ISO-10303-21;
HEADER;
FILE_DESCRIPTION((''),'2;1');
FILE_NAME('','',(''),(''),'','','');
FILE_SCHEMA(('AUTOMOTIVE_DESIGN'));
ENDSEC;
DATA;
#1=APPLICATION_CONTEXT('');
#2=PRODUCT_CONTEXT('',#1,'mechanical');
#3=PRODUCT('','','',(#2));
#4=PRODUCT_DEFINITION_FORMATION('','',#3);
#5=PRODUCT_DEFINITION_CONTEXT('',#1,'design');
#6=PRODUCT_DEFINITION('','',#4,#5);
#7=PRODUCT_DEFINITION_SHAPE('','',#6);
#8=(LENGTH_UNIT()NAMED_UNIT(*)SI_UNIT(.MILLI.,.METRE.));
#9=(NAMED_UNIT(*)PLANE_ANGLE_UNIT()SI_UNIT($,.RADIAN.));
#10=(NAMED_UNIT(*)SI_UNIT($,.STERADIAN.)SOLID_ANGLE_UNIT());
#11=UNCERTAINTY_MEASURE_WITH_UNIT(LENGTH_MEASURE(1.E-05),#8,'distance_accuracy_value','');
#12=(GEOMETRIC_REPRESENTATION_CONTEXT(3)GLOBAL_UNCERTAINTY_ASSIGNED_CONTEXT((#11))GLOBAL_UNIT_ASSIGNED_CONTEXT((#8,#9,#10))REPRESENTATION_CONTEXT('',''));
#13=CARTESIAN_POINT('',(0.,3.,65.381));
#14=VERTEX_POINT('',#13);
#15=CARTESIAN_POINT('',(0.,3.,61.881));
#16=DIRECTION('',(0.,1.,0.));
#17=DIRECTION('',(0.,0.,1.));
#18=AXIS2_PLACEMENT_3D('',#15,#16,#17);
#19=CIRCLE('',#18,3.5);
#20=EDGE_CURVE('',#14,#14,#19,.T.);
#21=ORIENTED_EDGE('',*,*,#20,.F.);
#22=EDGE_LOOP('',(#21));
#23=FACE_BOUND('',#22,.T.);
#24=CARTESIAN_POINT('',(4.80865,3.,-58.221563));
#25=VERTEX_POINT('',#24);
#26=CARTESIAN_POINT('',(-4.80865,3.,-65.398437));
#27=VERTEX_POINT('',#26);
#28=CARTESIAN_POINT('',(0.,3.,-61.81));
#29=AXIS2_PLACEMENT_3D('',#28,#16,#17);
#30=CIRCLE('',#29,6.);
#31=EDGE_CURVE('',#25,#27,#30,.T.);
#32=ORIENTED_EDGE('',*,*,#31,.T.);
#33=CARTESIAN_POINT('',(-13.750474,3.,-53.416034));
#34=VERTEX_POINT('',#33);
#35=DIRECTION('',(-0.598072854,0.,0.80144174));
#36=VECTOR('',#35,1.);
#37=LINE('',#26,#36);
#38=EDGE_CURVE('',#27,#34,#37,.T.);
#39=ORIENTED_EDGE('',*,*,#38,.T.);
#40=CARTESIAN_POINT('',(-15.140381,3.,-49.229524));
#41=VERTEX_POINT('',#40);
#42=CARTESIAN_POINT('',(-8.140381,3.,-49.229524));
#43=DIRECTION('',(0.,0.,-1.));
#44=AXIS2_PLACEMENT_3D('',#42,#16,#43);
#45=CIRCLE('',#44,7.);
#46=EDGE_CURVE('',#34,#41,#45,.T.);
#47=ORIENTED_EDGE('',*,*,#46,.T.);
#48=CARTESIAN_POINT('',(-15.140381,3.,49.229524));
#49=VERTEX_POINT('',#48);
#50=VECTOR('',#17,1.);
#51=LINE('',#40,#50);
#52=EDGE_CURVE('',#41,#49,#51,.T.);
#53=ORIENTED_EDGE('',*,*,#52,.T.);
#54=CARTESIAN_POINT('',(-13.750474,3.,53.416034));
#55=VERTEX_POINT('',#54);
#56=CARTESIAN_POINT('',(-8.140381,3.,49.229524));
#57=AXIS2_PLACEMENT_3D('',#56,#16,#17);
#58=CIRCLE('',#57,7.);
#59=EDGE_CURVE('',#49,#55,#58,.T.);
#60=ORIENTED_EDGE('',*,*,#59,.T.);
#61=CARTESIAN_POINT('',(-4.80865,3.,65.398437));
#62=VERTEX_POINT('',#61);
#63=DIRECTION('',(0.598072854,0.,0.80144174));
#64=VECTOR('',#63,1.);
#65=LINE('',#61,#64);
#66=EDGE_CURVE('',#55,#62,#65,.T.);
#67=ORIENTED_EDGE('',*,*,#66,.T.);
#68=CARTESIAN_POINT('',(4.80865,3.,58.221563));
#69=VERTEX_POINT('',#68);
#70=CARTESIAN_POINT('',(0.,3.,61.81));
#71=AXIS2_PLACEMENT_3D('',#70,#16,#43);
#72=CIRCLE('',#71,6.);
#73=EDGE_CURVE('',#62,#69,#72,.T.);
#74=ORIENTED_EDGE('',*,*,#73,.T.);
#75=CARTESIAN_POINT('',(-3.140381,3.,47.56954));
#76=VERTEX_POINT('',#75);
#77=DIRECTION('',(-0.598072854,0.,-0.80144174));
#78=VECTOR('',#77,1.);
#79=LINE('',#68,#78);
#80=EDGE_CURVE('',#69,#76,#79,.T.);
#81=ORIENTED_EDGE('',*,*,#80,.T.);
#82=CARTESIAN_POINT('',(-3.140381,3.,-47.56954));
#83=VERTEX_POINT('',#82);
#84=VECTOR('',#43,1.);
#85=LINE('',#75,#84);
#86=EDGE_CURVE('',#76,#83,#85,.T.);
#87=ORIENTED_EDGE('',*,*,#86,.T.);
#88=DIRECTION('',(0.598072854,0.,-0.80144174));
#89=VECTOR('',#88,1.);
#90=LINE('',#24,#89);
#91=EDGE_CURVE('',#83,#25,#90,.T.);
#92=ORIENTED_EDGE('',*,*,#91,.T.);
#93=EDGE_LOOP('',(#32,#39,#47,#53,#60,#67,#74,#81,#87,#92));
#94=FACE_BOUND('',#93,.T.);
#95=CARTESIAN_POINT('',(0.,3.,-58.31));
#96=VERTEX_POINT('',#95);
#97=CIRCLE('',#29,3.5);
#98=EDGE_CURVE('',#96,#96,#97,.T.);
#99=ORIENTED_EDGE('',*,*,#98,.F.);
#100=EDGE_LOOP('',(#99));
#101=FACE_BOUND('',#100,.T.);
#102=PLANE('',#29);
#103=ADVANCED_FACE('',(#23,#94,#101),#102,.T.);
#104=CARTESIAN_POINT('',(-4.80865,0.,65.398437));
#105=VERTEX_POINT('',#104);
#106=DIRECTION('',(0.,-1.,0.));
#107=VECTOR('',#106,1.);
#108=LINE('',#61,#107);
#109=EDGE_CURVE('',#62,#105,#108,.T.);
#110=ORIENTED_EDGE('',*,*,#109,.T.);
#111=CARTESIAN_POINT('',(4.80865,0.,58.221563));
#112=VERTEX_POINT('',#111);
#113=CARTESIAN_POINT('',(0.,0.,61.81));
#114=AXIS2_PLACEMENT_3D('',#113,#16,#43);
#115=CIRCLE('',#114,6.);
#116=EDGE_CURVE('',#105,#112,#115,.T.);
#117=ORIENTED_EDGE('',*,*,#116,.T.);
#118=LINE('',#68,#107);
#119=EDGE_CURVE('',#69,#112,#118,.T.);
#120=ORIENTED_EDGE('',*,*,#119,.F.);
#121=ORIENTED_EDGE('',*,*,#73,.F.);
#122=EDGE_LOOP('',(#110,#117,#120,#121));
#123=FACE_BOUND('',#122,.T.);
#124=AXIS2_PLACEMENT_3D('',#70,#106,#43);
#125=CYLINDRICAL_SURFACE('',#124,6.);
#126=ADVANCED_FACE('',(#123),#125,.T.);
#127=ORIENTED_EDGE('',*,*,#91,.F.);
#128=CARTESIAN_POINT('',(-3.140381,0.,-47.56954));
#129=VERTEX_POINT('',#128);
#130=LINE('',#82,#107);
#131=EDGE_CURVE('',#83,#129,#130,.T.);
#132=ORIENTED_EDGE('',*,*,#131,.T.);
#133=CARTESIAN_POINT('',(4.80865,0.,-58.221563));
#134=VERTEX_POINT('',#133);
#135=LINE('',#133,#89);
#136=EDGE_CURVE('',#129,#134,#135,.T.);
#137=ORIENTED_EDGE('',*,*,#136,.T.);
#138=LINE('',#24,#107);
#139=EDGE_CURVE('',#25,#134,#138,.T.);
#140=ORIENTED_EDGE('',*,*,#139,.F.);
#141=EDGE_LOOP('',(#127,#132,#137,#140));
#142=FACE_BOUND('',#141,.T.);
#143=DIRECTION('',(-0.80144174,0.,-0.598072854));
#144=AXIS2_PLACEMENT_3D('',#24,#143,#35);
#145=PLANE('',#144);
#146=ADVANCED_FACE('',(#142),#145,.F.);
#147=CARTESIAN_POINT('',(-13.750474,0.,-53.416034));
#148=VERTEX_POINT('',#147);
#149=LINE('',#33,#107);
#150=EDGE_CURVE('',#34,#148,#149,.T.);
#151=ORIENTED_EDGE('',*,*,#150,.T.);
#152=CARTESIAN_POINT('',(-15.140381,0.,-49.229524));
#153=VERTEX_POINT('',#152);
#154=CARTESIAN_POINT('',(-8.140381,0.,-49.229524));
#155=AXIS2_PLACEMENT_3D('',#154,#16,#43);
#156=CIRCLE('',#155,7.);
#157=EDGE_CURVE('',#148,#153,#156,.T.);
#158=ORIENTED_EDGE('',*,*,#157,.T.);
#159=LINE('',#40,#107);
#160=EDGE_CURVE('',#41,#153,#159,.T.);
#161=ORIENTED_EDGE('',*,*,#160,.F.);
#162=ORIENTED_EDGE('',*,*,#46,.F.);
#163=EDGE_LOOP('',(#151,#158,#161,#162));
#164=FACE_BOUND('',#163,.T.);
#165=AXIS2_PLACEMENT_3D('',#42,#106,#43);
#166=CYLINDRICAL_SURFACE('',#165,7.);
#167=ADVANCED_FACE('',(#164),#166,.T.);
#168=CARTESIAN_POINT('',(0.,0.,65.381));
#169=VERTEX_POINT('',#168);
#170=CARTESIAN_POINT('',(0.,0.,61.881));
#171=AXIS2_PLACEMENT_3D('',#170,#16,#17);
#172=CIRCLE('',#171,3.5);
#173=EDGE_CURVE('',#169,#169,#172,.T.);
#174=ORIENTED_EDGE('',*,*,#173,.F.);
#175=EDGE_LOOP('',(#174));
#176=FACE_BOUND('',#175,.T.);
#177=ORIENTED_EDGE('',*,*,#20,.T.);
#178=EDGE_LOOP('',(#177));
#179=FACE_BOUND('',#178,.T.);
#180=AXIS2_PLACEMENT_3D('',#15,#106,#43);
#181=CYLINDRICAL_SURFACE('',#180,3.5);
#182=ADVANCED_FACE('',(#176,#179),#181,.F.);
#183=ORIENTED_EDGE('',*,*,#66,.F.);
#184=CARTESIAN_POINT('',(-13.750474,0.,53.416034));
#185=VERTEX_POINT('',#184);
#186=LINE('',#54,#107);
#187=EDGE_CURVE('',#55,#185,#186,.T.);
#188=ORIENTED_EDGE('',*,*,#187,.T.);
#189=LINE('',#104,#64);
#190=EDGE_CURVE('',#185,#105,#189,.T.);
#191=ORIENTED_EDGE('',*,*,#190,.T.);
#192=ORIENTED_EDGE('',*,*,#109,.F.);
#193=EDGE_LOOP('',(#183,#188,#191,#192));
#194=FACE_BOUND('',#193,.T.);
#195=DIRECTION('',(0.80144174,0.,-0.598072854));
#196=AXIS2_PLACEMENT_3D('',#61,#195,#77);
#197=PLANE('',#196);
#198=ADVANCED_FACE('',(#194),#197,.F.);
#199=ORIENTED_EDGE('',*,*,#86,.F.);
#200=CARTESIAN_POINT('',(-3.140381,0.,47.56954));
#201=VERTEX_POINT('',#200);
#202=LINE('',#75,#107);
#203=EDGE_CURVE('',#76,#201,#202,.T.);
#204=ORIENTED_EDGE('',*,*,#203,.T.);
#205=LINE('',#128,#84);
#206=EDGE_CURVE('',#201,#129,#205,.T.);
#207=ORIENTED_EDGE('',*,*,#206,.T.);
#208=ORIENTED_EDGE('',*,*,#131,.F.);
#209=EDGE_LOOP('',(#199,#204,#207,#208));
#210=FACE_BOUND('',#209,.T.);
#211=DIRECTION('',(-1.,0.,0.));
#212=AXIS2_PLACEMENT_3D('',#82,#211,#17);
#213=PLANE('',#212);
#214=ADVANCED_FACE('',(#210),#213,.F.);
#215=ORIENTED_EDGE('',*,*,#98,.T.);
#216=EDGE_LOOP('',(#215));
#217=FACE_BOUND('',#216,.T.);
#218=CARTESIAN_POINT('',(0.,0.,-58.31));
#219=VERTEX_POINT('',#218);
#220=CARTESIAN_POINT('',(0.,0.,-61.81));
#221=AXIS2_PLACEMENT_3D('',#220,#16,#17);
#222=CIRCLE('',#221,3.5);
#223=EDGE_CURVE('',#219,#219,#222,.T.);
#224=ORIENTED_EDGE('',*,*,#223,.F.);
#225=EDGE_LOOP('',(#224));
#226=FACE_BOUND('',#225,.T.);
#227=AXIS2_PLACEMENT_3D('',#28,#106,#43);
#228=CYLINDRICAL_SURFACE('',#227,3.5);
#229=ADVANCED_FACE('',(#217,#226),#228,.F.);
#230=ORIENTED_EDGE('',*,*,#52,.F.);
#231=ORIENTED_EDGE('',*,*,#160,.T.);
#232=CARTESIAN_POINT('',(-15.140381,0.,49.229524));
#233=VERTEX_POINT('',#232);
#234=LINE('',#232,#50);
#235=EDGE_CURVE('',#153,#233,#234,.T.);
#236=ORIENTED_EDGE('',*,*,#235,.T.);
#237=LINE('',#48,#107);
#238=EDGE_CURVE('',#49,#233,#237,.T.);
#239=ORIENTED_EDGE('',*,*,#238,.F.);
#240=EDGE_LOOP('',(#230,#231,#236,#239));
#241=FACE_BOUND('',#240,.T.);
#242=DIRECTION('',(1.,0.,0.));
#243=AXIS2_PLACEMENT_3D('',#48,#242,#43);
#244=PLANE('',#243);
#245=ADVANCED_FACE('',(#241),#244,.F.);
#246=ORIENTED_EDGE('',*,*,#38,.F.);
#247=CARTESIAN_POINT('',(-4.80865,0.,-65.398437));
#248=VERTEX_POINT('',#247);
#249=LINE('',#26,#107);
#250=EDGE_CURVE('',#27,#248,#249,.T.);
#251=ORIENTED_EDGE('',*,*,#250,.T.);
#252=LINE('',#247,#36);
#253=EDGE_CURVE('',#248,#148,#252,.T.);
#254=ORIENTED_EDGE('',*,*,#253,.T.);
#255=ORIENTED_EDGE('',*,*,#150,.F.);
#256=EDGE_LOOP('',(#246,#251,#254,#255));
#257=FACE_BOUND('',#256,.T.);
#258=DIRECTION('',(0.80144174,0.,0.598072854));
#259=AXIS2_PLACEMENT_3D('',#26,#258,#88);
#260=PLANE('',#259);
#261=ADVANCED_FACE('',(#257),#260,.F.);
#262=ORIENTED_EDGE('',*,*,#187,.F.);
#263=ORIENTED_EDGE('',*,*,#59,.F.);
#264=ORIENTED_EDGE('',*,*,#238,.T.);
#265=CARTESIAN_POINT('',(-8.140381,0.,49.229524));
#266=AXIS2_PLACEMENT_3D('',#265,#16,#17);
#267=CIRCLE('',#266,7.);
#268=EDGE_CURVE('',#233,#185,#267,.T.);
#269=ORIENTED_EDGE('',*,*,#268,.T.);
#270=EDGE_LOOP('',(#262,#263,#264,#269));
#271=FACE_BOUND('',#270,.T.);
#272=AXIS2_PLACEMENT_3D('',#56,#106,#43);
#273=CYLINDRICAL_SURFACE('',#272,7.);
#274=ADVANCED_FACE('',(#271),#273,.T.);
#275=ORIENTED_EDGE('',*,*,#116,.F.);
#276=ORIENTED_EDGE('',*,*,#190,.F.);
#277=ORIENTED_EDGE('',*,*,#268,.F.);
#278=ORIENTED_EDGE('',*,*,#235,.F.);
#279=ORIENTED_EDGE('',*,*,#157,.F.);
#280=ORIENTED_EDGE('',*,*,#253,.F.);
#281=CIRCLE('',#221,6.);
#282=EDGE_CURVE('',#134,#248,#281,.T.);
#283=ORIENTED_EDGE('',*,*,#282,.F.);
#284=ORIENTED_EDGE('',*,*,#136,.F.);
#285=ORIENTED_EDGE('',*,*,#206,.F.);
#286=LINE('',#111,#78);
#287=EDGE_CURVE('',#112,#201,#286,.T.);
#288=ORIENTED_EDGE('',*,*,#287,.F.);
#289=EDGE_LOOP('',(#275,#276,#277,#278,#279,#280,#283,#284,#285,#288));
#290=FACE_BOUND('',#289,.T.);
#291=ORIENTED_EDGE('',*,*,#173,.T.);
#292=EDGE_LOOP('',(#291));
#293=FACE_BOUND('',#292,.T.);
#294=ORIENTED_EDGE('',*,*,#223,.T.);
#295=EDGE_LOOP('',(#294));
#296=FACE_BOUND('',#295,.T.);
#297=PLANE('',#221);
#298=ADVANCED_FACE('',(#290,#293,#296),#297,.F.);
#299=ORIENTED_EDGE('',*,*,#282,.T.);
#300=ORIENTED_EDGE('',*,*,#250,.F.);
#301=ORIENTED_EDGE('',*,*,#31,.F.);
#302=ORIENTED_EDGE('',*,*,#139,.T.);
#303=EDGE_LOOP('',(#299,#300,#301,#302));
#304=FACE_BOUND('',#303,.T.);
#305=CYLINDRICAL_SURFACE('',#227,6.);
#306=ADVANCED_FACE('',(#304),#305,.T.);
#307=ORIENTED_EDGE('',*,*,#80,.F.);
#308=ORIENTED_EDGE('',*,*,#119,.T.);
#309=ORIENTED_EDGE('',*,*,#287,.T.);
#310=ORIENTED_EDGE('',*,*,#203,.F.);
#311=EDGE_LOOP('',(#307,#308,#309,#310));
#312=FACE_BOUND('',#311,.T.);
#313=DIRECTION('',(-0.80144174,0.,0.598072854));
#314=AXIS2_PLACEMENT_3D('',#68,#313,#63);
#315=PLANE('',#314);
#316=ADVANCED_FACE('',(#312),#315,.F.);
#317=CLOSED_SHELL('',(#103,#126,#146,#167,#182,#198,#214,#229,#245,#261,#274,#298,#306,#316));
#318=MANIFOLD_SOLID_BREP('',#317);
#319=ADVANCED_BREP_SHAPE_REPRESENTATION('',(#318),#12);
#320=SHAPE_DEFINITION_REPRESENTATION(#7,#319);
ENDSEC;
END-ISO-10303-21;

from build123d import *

# Parameters (mm, degrees)
SKETCH1_R           = 3.5
BOSS_EXTRUDE1_DEPTH = 3


with BuildPart() as part:
    # Sketch1 → Boss-Extrude1 (new body)
    with BuildSketch(Plane(origin=(0, 0, 0), x_dir=(1, 0, 0), z_dir=(0, 1, 0))):
        with BuildLine():
            Line((-4.808650437, 65.398437121), (-13.750473528, 53.416033622))
            ThreePointArc((-13.750473528, 53.416033622), (-14.783823427, 51.435125012), (-15.140381351, 49.229523647))
            Line((-15.140381351, 49.229523647), (-15.140381351, 0))
            Line((-15.140381351, 0), (-15.140381351, -49.229523647))
            ThreePointArc((-15.140381351, -49.229523647), (-14.783823427, -51.435125012), (-13.750473528, -53.416033622))
            Line((-13.750473528, -53.416033622), (-4.808650437, -65.398437121))
            ThreePointArc((-4.808650437, -65.398437121), (3.588437121, -66.618650437), (4.808650437, -58.221562879))
            Line((4.808650437, -58.221562879), (-3.140381351, -47.569539757))
            Line((-3.140381351, -47.569539757), (-3.140381351, 0))
            Line((-3.140381351, 0), (-3.140381351, 47.569539757))
            Line((-3.140381351, 47.569539757), (4.808650437, 58.221562879))
            ThreePointArc((4.808650437, 58.221562879), (3.588437121, 66.618650437), (-4.808650437, 65.398437121))
        make_face()
        with Locations(Location((0, 61.81, 0), (0, 0, 270))):
            Circle(SKETCH1_R, mode=Mode.SUBTRACT)
        with Locations(Location((0, -61.881, 0), (0, 0, 270))):
            Circle(SKETCH1_R, mode=Mode.SUBTRACT)
    extrude(amount=BOSS_EXTRUDE1_DEPTH)


solid = part.part
